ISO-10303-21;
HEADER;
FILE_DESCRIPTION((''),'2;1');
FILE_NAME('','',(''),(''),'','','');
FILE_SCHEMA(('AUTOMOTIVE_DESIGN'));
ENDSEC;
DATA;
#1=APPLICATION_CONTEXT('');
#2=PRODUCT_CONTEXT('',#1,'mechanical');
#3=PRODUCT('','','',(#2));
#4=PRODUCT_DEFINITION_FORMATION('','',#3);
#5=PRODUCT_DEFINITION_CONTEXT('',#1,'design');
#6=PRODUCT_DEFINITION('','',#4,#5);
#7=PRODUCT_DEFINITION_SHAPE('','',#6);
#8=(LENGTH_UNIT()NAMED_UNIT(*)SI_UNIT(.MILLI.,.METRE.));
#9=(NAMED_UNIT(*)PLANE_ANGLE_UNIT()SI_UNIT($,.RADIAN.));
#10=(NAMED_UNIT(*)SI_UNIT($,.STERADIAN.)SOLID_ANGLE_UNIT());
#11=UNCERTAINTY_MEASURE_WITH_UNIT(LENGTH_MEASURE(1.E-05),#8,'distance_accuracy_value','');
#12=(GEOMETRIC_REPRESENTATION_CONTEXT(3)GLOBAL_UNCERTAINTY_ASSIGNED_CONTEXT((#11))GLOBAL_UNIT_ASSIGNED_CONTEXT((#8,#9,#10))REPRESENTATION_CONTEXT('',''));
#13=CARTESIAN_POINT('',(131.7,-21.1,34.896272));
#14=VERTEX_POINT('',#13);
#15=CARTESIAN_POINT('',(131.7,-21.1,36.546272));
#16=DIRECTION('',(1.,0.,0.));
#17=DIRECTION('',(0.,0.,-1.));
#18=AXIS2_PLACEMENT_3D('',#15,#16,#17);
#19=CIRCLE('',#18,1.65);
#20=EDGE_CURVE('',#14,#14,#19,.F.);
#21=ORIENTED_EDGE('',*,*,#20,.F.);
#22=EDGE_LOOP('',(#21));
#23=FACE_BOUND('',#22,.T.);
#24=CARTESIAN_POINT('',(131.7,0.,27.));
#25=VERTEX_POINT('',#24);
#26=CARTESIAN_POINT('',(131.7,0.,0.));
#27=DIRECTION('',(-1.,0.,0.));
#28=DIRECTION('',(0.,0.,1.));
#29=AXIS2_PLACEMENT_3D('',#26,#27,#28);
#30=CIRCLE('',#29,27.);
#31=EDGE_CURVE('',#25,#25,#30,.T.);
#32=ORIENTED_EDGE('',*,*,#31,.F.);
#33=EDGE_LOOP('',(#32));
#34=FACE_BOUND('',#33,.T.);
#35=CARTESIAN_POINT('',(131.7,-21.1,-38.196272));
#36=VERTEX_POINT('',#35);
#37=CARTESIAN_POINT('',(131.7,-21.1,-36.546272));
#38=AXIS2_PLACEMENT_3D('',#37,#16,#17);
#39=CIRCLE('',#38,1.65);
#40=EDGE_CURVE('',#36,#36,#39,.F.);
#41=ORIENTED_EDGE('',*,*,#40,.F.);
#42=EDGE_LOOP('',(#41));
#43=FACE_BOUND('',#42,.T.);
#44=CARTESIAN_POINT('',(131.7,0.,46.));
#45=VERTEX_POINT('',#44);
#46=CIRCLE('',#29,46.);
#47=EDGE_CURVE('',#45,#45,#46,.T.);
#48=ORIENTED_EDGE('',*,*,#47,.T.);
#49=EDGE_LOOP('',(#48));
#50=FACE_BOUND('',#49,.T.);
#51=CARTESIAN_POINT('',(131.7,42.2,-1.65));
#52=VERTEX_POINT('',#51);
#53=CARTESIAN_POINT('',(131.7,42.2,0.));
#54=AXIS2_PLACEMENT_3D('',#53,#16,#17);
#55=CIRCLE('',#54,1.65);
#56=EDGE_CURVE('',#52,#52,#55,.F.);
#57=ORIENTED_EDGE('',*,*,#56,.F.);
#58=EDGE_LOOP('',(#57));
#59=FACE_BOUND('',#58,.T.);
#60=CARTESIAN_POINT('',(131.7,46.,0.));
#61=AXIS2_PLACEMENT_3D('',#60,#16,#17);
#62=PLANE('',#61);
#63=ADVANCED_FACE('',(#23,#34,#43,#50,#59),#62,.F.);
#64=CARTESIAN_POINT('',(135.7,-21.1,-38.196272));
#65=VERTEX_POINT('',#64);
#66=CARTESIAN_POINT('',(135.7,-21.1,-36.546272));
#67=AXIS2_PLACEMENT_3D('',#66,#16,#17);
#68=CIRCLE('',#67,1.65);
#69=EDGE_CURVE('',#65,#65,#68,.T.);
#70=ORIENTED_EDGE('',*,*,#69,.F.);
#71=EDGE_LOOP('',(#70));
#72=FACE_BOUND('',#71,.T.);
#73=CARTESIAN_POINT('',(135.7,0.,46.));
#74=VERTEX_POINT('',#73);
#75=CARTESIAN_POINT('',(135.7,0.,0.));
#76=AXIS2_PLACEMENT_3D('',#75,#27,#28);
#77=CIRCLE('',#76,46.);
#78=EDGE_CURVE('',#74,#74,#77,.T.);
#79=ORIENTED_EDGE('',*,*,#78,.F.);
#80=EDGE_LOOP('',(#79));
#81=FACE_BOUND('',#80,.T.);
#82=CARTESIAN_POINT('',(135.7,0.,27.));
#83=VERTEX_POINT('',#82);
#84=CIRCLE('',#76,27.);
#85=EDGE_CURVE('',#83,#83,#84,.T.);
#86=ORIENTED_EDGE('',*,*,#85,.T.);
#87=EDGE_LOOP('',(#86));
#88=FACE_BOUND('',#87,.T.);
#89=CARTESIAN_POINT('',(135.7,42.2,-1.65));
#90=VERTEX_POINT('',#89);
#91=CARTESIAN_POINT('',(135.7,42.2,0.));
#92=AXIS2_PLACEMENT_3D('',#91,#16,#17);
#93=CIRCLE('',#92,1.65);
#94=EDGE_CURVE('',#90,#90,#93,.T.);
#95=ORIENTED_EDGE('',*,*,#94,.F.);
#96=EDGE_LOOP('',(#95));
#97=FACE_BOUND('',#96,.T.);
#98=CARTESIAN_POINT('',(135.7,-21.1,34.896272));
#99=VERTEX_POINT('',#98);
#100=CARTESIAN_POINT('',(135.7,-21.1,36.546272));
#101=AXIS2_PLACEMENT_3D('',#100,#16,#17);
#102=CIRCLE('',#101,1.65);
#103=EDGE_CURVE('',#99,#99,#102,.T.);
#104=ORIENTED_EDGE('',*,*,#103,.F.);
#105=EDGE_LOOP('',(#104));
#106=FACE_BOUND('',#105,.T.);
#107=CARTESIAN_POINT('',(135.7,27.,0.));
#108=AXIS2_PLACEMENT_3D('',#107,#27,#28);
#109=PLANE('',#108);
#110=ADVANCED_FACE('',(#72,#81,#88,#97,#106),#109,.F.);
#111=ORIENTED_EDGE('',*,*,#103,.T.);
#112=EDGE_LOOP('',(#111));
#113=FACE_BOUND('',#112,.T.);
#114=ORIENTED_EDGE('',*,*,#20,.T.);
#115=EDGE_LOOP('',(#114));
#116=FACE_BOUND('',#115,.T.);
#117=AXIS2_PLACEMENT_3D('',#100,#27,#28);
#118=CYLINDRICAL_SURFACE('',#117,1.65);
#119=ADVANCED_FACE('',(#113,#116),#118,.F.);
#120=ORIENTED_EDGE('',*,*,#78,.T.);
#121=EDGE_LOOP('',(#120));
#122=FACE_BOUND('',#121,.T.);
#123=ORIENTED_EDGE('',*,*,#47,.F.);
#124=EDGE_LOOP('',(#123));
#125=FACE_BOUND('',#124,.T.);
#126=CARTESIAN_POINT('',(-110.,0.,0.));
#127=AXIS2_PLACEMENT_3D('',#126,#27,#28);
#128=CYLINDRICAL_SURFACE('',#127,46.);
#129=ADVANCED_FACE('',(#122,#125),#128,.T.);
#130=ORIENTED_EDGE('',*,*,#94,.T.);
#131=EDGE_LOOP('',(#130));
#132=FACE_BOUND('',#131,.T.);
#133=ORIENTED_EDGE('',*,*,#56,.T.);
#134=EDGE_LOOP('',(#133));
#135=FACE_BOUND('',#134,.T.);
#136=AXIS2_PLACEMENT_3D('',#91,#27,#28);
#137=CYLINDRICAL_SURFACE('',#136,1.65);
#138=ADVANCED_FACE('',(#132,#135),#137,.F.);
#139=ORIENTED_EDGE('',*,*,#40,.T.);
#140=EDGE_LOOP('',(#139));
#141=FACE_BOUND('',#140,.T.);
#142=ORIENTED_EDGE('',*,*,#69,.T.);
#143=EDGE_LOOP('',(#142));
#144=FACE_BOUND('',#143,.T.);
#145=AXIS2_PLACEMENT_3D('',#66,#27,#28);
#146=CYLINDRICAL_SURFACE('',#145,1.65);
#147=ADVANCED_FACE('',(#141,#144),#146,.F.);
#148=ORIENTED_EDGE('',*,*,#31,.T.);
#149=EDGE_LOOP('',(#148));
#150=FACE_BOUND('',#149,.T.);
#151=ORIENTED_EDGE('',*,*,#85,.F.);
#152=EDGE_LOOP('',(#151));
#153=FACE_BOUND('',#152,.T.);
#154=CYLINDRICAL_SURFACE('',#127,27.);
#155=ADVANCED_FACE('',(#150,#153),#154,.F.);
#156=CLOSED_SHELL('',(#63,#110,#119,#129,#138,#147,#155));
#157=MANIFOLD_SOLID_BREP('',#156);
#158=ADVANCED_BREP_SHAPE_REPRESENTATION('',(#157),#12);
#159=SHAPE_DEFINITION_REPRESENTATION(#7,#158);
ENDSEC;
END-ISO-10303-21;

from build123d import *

# Parameters (mm, degrees)
AXIAL_PROFILE_MM_W     = 4
AXIAL_PROFILE_MM_H     = 19
AXIAL_HOLES_DEPTH      = 151.487507787
AXIAL_HOLES_DEPTH_BACK = 151.487507787
SKETCH2_R              = 1.65


with BuildPart() as part:
    # Axial profile (mm) → Full revolution (revolve)
    with BuildSketch(Plane.XY, mode=Mode.PRIVATE) as full_revolution_sk:
        with Locations((133.7, 36.5)):
            Rectangle(AXIAL_PROFILE_MM_W, AXIAL_PROFILE_MM_H)
    revolve(full_revolution_sk.sketch.rotate(Axis((-110, 0, 0), (1, 0, 0)), 90), axis=Axis((-110, 0, 0), (1, 0, 0)))

    # Sketch2 → Axial holes (cut, two sides: drawn at the far end of the back side and taken through both)
    with BuildSketch(Plane(origin=(0, 0, 0), x_dir=(0, 0, -1), z_dir=(1, 0, 0)).offset(-AXIAL_HOLES_DEPTH_BACK)):
        with Locations((0, 42.2)):
            Circle(SKETCH2_R)
        with Locations((-36.54627204, -21.1)):
            Circle(SKETCH2_R)
        with Locations((36.54627204, -21.1)):
            Circle(SKETCH2_R)
    extrude(amount=AXIAL_HOLES_DEPTH + AXIAL_HOLES_DEPTH_BACK, mode=Mode.SUBTRACT)


solid = part.part
